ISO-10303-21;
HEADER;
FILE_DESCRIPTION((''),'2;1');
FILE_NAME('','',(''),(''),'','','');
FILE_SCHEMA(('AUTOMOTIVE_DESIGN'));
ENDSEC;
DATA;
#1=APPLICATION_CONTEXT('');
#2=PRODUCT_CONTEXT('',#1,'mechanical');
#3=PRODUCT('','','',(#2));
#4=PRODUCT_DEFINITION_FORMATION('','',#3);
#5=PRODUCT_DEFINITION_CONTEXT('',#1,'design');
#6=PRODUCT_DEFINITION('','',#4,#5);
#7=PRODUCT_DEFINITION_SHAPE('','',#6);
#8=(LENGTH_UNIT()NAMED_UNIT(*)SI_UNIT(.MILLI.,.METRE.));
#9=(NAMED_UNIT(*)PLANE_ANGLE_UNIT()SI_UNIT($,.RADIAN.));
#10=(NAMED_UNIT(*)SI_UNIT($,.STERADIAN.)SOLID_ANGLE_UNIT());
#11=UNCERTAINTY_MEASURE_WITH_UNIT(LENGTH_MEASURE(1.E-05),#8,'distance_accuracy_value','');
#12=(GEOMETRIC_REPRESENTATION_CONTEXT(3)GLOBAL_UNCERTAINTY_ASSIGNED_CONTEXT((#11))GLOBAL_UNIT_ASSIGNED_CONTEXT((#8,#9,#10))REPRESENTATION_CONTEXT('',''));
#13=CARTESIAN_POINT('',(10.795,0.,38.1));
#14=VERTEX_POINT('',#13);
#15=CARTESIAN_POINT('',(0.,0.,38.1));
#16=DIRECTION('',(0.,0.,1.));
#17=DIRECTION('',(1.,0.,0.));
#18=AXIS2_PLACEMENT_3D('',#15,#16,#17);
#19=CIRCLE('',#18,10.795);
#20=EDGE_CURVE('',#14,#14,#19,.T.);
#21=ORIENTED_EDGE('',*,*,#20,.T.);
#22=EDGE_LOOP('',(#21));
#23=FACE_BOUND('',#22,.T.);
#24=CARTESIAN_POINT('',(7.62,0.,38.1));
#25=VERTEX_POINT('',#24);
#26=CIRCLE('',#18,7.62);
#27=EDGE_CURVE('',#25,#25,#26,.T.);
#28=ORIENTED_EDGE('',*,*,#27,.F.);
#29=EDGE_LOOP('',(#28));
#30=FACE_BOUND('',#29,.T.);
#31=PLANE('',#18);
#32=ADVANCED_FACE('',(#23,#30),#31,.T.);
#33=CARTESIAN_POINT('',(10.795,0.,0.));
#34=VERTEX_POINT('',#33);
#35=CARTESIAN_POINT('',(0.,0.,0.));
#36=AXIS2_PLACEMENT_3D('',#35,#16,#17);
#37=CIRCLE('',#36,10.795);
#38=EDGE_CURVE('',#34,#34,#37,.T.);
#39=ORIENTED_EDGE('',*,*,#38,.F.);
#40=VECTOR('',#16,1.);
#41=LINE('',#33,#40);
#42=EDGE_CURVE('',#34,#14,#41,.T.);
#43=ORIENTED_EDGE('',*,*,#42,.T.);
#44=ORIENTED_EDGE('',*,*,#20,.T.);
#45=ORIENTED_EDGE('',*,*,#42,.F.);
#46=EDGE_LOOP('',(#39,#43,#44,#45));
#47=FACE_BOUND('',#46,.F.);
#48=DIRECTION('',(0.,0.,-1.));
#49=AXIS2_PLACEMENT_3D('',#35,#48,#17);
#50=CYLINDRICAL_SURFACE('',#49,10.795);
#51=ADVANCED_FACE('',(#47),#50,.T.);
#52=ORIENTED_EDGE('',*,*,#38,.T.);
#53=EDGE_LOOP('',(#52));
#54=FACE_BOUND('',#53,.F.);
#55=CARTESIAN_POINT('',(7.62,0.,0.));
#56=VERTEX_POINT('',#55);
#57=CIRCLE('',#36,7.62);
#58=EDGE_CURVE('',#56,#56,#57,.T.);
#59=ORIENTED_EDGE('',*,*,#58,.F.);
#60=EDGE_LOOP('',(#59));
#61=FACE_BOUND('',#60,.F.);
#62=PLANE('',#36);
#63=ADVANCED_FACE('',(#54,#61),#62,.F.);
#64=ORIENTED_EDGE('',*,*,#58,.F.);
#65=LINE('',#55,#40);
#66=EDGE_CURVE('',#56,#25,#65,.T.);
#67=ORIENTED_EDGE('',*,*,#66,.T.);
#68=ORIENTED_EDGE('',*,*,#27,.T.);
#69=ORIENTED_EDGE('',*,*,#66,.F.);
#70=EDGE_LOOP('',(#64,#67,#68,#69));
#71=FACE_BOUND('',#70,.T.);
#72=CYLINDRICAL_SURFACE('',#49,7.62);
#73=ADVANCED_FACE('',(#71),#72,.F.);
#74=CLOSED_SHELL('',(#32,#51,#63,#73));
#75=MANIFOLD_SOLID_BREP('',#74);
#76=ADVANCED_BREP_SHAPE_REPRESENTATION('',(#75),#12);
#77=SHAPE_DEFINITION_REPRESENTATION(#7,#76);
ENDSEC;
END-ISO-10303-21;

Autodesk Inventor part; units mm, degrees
ref_plane "YZ Plane" through (0, 0, 0) normal (1, 0, 0) x (0, 1, 0)
ref_plane "XZ Plane" through (0, 0, 0) normal (0, 1, 0) x (-1, 0, 0)
ref_plane "XY Plane" through (0, 0, 0) normal (0, 0, 1) x (1, 0, 0)
sketch "Sketch1" plane through (0, 0, 0) normal (0, 0, 1) x (1, 0, 0)
  circle A0 centre (0, 0) radius 10.795
  circle A1 centre (0, 0) radius 7.62
  dimension "d0" = 21.59
  dimension "d2" = 15.24
extrude "Extrusion1" add sketch "Sketch1" along normal blind 38.1
properties part number "1.5in Pipe" material "PVC-Piping"
